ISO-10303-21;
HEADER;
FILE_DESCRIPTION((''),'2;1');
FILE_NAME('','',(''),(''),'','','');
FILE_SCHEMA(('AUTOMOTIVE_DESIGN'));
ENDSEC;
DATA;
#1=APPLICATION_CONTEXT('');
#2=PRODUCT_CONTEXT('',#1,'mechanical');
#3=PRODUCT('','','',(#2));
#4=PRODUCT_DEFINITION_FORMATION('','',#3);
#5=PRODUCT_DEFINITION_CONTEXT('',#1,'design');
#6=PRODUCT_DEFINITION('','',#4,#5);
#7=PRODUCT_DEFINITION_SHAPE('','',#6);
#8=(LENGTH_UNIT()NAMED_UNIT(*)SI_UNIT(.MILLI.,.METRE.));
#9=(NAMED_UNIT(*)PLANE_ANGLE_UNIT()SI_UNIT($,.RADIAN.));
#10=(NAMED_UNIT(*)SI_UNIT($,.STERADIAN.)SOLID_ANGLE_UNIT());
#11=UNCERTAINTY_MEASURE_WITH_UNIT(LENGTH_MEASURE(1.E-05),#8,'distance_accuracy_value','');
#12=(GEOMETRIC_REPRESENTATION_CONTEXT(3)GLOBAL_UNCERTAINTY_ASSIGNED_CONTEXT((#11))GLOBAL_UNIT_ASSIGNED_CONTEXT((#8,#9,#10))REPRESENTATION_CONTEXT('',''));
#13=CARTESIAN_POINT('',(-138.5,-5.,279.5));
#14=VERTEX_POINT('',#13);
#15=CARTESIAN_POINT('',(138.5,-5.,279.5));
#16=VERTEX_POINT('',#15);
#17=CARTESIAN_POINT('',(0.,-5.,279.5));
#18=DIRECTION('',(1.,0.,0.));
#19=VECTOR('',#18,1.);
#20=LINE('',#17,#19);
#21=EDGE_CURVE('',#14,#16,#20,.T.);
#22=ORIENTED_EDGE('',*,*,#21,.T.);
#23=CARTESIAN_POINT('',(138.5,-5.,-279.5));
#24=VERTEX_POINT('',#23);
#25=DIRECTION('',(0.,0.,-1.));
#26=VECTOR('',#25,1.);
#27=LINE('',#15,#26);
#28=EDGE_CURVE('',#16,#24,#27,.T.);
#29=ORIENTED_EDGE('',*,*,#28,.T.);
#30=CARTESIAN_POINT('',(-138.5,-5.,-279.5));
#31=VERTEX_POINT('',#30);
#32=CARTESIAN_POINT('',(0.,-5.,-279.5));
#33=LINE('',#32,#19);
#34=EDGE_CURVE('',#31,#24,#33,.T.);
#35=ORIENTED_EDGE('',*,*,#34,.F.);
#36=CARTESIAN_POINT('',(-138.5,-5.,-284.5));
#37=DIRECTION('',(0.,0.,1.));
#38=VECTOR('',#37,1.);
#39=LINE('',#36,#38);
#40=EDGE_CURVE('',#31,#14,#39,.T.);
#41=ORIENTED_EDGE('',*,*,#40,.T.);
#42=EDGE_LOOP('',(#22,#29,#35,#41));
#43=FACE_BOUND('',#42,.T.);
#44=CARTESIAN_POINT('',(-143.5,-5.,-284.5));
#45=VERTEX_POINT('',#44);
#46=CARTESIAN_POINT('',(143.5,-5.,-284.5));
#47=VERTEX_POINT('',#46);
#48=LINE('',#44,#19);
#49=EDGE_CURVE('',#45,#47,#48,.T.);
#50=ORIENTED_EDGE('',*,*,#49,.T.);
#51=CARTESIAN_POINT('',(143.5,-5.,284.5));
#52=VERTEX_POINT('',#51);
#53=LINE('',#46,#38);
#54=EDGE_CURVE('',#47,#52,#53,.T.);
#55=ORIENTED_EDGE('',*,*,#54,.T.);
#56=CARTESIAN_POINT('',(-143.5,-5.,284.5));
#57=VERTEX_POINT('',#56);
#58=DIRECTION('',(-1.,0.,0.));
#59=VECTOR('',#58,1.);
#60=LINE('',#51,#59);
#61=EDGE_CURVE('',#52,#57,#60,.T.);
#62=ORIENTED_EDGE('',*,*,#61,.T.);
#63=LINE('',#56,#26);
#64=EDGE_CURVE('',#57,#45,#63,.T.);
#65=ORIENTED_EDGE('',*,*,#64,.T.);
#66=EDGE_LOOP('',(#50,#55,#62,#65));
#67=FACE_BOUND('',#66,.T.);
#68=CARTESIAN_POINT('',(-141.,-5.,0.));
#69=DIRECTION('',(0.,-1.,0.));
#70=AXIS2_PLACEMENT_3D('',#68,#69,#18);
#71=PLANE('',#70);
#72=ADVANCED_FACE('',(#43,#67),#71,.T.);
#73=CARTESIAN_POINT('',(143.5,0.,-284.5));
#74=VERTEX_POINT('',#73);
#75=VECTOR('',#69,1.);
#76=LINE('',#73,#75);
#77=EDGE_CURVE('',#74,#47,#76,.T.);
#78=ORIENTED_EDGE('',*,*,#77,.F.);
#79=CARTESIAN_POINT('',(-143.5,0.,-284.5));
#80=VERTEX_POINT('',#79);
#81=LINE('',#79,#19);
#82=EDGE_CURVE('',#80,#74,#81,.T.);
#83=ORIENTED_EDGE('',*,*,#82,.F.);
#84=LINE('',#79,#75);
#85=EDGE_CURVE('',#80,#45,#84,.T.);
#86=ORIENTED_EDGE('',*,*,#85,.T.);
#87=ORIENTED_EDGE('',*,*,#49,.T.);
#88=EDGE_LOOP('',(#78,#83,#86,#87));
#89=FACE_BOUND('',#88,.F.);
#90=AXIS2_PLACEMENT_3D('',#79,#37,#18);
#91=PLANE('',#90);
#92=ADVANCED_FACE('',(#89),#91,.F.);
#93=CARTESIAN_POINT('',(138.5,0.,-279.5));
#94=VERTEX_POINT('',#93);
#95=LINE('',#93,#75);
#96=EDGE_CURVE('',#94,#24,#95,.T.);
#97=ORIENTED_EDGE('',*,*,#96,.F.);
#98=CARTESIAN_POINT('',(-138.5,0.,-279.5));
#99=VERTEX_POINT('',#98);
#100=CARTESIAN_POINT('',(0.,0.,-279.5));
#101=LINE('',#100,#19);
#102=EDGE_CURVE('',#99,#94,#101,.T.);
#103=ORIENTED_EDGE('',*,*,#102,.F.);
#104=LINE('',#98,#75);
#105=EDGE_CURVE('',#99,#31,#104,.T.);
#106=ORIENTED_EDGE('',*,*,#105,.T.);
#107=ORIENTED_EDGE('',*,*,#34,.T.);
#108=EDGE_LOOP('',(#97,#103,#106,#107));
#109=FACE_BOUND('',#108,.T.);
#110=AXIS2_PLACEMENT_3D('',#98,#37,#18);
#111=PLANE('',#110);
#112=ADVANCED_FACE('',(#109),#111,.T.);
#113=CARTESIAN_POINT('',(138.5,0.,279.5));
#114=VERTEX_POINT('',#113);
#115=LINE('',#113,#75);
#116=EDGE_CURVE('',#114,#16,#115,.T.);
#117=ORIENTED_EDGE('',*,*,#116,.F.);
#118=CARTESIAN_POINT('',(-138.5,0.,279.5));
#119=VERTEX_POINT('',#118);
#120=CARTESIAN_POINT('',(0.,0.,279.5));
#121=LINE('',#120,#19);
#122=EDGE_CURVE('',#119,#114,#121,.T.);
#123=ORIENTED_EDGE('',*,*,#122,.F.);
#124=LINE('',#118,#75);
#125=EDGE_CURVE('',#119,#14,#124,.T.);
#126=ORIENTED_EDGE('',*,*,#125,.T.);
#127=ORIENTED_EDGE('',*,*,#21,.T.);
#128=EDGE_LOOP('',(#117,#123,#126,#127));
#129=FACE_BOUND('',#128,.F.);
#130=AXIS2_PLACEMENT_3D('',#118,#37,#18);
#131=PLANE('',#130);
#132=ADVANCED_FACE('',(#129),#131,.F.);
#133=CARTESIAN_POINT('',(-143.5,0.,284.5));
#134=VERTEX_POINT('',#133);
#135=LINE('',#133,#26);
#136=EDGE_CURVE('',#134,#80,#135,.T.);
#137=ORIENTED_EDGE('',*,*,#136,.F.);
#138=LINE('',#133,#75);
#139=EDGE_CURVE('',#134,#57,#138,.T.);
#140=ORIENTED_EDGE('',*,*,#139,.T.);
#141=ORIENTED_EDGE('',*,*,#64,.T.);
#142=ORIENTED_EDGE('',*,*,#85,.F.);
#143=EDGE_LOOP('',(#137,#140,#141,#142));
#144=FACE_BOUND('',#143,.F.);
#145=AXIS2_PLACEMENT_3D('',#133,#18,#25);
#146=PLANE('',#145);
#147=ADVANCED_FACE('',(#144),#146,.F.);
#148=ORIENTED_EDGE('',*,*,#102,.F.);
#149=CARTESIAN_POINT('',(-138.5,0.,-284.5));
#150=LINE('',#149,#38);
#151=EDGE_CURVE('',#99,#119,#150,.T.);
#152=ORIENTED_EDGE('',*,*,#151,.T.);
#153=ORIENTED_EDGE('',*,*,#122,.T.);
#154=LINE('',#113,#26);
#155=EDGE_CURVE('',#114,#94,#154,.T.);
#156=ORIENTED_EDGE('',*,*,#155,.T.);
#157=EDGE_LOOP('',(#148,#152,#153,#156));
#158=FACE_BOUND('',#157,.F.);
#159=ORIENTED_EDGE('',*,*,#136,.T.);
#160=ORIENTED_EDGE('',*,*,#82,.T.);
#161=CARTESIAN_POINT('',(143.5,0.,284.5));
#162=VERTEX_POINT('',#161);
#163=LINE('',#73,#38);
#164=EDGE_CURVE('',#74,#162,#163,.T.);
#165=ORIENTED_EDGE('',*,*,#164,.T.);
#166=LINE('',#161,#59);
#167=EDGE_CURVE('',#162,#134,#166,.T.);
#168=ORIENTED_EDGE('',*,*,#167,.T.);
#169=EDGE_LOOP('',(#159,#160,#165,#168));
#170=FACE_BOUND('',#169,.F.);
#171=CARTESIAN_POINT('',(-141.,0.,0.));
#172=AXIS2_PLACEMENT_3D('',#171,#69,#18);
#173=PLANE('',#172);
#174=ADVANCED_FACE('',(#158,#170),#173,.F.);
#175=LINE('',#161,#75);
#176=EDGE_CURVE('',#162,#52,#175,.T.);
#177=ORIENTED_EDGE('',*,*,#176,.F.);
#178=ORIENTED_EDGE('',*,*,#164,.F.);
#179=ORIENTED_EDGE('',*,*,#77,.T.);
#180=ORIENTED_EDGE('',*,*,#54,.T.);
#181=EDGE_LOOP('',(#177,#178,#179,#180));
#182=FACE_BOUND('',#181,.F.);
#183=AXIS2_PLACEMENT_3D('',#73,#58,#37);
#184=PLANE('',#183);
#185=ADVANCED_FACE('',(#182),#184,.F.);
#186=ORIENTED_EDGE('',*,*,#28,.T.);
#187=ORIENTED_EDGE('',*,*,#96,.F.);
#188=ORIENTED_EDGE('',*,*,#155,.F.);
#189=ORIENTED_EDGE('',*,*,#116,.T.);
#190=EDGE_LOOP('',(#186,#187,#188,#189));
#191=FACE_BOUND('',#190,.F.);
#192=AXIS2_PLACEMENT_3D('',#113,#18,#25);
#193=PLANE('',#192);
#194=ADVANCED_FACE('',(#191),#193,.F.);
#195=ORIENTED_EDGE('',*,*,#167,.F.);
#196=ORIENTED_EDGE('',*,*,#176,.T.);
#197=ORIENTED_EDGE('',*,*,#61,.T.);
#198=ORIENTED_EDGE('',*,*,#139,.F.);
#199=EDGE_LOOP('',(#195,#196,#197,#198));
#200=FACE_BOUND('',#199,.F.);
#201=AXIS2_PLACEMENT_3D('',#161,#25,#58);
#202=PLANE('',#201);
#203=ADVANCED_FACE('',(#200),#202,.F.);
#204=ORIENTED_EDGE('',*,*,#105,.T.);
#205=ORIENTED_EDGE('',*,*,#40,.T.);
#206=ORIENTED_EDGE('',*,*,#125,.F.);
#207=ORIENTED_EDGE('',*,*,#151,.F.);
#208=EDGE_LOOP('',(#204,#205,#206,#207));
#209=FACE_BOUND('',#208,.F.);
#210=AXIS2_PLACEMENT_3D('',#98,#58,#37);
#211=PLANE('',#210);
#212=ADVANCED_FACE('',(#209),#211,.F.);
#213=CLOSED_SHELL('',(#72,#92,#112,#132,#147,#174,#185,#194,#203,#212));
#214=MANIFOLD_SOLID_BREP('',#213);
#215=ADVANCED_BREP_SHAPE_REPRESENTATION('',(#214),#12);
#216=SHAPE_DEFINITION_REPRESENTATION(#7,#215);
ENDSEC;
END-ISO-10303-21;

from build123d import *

# Parameters (mm, degrees)
F0_W     = 277
F0_H     = 5
F1_DEPTH = 5


with BuildPart() as f1:
    # F0 (on Front) → F1 (new body)
    with BuildSketch(Plane.XZ):
        Polygon((-138.5, -279.5), (-138.5, 279.5), (-138.5, 284.5), (-143.5, 284.5), (-143.5, -284.5), (-138.5, -284.5), align=None)
        with Locations((0, 282)):
            Rectangle(F0_W, F0_H)
        Polygon((138.5, 284.5), (138.5, 279.5), (138.5, -279.5), (138.5, -284.5), (143.5, -284.5), (143.5, 284.5), align=None)
        with Locations((0, -282)):
            Rectangle(F0_W, F0_H)
    extrude(amount=F1_DEPTH)


solid = f1.part
